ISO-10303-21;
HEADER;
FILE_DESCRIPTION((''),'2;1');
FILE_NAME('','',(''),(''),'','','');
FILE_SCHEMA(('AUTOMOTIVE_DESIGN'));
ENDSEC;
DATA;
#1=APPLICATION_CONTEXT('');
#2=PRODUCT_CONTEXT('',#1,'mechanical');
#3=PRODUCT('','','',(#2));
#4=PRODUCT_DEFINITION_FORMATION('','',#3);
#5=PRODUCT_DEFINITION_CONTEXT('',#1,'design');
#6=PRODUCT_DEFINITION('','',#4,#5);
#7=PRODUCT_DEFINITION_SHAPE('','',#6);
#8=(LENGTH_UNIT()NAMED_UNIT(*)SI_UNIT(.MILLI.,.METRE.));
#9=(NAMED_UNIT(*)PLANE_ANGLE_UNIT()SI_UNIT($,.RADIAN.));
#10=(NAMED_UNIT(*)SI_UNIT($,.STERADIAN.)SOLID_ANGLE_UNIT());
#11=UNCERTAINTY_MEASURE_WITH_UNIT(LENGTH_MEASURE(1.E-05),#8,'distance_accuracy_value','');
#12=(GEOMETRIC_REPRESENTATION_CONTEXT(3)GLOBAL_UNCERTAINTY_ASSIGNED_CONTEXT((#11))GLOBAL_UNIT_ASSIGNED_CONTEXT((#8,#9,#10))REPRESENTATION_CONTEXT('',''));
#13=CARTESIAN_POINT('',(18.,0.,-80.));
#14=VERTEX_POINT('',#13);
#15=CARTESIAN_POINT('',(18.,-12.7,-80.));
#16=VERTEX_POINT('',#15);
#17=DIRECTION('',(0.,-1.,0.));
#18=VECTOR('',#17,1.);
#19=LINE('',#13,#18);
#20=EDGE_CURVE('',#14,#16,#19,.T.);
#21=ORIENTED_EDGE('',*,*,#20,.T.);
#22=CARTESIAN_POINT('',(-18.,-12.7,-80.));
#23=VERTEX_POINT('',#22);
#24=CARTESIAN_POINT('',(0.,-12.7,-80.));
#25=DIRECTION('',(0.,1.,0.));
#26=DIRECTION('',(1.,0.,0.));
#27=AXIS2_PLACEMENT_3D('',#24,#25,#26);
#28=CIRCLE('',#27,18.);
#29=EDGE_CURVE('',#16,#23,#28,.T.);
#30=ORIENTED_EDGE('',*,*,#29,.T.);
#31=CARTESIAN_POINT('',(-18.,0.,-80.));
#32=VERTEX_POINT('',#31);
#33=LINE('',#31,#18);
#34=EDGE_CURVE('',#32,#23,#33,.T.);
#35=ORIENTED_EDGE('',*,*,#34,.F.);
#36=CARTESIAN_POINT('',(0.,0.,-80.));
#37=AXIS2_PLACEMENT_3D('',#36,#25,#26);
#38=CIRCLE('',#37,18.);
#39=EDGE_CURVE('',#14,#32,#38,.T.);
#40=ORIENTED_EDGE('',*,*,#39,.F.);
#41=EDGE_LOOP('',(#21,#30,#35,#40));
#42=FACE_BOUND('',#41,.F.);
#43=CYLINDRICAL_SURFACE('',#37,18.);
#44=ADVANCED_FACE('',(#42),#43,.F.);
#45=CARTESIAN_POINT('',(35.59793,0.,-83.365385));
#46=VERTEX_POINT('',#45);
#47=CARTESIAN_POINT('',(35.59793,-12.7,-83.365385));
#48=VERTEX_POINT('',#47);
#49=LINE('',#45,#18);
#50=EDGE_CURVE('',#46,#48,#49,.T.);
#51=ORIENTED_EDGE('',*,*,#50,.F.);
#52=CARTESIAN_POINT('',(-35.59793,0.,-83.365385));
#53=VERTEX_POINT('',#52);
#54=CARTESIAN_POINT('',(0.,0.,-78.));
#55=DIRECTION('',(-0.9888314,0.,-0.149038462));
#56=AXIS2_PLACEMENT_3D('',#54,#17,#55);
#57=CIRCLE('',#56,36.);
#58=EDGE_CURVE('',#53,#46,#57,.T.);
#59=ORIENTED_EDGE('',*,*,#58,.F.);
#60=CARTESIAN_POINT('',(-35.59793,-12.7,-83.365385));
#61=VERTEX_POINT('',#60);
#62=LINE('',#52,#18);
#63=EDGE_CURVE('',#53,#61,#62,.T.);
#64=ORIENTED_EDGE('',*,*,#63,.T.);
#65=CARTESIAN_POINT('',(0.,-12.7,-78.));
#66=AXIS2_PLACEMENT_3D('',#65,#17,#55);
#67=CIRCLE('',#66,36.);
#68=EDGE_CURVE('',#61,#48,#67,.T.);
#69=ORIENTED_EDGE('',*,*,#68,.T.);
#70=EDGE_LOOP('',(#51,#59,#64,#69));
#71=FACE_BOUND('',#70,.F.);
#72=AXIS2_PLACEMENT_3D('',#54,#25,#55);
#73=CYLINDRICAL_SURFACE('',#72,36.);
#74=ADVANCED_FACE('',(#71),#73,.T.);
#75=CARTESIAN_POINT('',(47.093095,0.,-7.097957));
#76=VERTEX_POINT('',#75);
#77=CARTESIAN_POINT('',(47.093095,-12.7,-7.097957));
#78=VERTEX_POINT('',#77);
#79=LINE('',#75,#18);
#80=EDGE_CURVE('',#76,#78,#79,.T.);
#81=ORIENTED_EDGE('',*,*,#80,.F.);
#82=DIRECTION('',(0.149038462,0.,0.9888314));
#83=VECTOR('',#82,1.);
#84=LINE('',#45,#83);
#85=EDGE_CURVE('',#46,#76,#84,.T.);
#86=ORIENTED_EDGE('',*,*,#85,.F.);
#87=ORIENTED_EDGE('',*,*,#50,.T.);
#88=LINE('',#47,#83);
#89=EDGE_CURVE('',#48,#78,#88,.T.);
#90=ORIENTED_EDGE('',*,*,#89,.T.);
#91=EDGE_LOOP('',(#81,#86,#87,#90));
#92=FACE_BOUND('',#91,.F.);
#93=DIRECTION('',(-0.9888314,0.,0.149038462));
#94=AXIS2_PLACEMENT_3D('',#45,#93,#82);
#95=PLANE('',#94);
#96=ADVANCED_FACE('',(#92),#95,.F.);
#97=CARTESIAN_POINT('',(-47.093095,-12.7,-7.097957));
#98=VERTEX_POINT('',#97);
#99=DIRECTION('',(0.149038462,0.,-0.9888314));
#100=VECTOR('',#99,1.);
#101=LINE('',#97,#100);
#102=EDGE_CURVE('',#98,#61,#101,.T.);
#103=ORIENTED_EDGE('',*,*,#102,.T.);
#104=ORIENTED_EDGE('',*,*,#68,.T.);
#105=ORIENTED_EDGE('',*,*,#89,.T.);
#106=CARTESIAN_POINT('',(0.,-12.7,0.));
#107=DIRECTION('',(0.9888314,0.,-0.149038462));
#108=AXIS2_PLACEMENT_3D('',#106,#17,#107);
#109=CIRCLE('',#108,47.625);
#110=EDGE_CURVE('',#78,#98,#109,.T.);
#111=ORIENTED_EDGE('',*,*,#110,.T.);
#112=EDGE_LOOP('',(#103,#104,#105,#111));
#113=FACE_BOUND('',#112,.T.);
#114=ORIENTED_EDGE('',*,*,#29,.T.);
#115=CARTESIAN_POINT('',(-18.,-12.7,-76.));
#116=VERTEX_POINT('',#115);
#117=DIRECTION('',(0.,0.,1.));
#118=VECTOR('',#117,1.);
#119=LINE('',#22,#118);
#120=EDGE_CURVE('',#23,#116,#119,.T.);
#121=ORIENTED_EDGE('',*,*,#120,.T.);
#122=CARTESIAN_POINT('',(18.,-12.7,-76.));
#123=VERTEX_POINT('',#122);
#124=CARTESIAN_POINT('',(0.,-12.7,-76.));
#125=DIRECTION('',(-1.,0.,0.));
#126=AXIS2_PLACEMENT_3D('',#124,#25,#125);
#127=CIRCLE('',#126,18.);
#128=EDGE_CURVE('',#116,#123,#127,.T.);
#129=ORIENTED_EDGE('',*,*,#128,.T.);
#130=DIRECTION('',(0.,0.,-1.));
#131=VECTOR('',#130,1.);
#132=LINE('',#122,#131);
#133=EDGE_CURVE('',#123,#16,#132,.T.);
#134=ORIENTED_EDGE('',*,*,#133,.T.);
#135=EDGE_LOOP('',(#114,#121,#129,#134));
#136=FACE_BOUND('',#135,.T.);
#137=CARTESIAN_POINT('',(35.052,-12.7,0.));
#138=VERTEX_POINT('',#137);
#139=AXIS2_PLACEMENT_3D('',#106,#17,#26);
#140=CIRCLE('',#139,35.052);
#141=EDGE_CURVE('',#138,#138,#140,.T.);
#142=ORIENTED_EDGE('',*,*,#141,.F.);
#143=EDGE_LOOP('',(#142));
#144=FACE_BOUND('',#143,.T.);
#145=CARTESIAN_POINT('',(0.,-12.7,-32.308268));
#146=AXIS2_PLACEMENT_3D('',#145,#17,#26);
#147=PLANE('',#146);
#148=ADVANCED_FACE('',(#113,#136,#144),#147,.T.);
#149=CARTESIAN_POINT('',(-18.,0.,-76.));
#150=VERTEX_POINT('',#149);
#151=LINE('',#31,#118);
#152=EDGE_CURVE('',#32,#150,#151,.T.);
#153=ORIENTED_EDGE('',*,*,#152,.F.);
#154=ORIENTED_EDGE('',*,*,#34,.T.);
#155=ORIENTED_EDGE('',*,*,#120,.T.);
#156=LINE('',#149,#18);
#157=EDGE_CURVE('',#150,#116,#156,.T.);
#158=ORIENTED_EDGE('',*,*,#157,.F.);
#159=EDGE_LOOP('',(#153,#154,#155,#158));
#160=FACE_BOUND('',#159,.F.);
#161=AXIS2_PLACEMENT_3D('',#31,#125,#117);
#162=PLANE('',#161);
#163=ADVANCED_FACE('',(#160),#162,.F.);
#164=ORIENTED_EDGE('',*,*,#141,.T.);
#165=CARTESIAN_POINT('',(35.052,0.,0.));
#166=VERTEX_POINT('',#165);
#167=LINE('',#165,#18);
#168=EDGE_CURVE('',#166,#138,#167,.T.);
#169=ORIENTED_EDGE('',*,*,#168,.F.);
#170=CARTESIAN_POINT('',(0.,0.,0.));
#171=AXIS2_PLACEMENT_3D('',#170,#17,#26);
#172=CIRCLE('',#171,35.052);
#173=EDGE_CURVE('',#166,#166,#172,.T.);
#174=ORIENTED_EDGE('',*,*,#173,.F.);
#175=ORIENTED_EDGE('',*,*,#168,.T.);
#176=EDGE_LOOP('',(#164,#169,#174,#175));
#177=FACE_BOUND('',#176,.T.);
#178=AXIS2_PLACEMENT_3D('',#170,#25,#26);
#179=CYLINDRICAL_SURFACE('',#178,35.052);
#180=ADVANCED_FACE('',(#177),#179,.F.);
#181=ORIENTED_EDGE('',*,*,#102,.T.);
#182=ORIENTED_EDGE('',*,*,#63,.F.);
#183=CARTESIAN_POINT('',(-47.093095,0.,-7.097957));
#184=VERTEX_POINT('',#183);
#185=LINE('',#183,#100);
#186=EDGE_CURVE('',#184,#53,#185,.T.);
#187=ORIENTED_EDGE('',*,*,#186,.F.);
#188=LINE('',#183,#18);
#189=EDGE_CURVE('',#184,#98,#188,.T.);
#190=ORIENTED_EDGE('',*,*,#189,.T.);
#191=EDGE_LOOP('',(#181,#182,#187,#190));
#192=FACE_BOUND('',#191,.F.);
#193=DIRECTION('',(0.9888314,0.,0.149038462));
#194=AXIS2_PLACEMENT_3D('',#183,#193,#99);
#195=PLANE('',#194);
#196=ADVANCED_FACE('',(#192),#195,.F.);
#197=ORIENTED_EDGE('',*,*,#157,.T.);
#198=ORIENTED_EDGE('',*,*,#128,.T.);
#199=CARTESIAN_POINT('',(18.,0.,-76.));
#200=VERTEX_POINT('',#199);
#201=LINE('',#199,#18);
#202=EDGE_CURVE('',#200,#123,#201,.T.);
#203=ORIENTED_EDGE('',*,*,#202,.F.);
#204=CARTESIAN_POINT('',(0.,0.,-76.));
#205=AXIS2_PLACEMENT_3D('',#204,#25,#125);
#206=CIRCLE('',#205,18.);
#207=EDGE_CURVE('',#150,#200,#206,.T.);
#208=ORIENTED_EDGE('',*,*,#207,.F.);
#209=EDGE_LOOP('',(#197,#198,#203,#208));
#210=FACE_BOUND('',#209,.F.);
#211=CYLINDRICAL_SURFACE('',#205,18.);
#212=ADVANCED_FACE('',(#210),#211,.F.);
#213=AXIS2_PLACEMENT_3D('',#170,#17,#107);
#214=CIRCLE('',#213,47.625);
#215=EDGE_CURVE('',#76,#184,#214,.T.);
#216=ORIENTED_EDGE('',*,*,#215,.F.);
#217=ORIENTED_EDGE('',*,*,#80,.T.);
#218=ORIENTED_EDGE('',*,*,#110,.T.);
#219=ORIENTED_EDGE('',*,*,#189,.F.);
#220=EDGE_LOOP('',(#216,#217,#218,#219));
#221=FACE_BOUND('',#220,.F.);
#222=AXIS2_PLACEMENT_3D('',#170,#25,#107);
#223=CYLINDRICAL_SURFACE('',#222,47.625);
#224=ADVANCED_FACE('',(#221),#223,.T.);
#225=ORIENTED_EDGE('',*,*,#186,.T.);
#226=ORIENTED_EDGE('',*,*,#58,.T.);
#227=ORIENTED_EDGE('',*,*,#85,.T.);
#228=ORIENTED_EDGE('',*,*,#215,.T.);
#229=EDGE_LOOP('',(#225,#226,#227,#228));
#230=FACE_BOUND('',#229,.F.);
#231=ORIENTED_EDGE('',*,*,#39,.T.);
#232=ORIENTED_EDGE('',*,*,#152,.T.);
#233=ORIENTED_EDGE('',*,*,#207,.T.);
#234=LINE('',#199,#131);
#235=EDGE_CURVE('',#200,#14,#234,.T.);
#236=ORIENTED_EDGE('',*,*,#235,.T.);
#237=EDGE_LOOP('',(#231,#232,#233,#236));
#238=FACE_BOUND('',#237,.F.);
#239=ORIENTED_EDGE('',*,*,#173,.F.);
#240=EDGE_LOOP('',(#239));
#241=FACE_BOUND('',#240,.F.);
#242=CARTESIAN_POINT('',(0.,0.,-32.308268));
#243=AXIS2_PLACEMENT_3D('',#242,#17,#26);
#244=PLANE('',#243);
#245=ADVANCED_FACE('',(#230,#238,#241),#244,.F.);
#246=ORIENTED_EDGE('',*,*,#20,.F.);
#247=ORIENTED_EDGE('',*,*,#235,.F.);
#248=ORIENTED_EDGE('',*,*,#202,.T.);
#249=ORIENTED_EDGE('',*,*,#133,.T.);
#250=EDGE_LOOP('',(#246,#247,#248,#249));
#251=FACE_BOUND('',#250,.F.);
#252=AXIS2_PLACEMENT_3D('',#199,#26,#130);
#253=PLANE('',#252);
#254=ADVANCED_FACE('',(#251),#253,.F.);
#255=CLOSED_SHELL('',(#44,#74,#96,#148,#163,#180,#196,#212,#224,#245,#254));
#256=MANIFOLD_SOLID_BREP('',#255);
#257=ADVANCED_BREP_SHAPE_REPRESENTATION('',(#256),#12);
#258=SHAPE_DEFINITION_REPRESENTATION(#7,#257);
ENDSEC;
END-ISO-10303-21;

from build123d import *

# Parameters (mm, degrees)
F0_R     = 35.052
F1_DEPTH = 12.7


with BuildPart() as f1:
    # F0 (on Front) → F1 (new body)
    with BuildSketch(Plane.XZ):
        with BuildLine():
            Line((35.5979303883, -83.3653846154), (47.0930954095, -7.0979567308))
            ThreePointArc((47.0930954095, -7.0979567308), (0, 47.625), (-47.0930954095, -7.0979567308))
            Line((-47.0930954095, -7.0979567308), (-35.5979303883, -83.3653846154))
            ThreePointArc((-35.5979303883, -83.3653846154), (0, -114), (35.5979303883, -83.3653846154))
        make_face()
        with BuildLine():
            Line((-18, -80), (-18, -76))
            ThreePointArc((-18, -76), (0, -58), (18, -76))
            Line((18, -76), (18, -80))
            ThreePointArc((18, -80), (0, -98), (-18, -80))
        make_face(mode=Mode.SUBTRACT)
        Circle(F0_R, mode=Mode.SUBTRACT)
    extrude(amount=F1_DEPTH)


solid = f1.part
